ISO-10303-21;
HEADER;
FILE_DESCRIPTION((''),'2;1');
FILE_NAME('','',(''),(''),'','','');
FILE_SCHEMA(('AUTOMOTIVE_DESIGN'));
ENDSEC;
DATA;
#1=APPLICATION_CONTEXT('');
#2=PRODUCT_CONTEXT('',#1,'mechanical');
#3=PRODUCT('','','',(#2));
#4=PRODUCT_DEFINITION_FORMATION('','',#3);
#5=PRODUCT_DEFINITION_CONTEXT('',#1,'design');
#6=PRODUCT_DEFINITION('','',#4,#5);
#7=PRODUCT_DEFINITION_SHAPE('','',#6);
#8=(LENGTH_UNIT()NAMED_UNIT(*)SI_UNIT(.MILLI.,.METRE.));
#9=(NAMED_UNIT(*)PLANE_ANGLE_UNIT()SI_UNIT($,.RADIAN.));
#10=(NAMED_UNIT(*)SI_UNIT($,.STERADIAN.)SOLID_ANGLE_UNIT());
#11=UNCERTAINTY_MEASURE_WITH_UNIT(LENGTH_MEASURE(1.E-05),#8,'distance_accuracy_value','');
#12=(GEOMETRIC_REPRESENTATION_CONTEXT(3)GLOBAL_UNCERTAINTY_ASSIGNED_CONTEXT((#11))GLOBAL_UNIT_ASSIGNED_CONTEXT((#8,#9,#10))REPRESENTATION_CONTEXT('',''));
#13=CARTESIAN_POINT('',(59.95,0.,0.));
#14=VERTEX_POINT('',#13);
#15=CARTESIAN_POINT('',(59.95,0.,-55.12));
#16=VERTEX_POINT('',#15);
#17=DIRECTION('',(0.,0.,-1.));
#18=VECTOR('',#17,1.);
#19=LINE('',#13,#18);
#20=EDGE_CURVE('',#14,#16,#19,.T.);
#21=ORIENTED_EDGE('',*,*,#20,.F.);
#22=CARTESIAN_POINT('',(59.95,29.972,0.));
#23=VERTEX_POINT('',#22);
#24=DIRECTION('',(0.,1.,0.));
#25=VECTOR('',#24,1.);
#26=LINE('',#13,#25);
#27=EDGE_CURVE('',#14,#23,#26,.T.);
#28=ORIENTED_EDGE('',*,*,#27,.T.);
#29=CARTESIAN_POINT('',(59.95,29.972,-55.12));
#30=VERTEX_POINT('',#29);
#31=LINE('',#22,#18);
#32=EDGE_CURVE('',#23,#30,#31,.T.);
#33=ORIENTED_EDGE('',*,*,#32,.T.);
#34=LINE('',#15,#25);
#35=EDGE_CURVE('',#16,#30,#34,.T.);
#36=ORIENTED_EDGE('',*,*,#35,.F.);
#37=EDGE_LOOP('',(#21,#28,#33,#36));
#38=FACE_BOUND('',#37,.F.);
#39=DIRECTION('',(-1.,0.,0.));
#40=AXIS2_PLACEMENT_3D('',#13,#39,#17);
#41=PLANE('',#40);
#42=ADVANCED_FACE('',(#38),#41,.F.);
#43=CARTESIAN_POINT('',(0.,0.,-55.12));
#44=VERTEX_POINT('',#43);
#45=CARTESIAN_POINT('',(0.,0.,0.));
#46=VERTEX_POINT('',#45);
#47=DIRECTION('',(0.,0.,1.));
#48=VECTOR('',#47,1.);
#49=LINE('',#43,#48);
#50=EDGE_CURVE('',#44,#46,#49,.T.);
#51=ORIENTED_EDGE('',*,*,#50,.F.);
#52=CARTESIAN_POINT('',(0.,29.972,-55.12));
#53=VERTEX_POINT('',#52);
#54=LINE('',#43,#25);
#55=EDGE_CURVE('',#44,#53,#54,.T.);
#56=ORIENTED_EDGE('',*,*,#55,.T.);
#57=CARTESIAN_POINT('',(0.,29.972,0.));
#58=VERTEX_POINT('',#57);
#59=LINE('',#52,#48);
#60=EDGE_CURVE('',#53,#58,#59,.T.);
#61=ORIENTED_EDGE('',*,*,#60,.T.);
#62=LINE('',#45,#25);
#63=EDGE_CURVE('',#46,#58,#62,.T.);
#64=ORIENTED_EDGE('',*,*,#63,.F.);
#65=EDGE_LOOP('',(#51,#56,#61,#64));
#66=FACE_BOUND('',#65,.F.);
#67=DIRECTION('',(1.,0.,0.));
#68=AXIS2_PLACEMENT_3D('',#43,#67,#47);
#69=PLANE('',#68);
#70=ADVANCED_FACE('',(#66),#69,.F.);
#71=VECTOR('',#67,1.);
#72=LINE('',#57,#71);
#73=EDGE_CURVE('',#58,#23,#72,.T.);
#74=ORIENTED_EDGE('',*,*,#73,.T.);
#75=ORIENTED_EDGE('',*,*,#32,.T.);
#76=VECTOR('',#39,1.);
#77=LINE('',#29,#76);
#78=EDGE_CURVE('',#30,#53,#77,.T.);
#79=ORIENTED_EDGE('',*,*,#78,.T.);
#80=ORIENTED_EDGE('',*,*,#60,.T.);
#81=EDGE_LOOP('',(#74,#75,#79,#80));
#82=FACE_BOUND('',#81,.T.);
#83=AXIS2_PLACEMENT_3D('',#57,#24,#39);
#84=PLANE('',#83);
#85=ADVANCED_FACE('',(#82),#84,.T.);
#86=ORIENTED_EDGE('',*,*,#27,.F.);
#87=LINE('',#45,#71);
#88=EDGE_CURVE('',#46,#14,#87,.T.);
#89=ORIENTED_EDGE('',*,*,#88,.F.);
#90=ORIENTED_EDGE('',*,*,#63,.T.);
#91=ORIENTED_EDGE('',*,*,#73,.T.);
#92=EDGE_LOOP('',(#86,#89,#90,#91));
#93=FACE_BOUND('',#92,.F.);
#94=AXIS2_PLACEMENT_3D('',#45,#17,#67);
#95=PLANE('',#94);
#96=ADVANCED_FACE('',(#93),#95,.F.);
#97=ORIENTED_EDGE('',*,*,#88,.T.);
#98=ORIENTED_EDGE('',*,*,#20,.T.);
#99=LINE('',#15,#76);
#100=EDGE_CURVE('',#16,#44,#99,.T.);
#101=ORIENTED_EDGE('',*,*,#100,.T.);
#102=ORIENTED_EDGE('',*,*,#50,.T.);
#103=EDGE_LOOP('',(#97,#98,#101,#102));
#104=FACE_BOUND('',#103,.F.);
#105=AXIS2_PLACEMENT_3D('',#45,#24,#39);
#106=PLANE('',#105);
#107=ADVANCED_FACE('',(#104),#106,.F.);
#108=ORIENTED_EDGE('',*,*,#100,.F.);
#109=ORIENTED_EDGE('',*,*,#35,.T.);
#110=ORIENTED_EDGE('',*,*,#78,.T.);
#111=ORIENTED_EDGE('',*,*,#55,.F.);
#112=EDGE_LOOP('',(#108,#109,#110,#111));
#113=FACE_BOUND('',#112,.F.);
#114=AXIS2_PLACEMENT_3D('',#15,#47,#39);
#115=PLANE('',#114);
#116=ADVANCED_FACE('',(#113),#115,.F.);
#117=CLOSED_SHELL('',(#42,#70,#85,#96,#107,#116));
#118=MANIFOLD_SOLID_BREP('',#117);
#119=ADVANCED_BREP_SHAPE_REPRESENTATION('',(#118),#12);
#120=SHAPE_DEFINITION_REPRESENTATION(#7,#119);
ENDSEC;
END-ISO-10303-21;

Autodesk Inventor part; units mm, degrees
ref_plane "YZ Plane" through (0, 0, 0) normal (1, 0, 0) x (0, 1, 0)
ref_plane "XZ Plane" through (0, 0, 0) normal (0, 1, 0) x (-1, 0, 0)
ref_plane "XY Plane" through (0, 0, 0) normal (0, 0, 1) x (1, 0, 0)
sketch "Sketch1" plane through (0, 0, 0) normal (0, 1, 0) x (-1, 0, 0)
  line L0 (0, 0) -> (-59.95, 0)
  line L1 (-59.95, 0) -> (-59.95, -55.12)
  line L2 (-59.95, -55.12) -> (0, -55.12)
  line L3 (0, -55.12) -> (0, 0)
  dimension "d0" = 59.95
  dimension "d1" = 55.12
extrude "Extrusion1" add sketch "Sketch1" along normal blind 29.972
properties part number "Mock Motor Driver"
